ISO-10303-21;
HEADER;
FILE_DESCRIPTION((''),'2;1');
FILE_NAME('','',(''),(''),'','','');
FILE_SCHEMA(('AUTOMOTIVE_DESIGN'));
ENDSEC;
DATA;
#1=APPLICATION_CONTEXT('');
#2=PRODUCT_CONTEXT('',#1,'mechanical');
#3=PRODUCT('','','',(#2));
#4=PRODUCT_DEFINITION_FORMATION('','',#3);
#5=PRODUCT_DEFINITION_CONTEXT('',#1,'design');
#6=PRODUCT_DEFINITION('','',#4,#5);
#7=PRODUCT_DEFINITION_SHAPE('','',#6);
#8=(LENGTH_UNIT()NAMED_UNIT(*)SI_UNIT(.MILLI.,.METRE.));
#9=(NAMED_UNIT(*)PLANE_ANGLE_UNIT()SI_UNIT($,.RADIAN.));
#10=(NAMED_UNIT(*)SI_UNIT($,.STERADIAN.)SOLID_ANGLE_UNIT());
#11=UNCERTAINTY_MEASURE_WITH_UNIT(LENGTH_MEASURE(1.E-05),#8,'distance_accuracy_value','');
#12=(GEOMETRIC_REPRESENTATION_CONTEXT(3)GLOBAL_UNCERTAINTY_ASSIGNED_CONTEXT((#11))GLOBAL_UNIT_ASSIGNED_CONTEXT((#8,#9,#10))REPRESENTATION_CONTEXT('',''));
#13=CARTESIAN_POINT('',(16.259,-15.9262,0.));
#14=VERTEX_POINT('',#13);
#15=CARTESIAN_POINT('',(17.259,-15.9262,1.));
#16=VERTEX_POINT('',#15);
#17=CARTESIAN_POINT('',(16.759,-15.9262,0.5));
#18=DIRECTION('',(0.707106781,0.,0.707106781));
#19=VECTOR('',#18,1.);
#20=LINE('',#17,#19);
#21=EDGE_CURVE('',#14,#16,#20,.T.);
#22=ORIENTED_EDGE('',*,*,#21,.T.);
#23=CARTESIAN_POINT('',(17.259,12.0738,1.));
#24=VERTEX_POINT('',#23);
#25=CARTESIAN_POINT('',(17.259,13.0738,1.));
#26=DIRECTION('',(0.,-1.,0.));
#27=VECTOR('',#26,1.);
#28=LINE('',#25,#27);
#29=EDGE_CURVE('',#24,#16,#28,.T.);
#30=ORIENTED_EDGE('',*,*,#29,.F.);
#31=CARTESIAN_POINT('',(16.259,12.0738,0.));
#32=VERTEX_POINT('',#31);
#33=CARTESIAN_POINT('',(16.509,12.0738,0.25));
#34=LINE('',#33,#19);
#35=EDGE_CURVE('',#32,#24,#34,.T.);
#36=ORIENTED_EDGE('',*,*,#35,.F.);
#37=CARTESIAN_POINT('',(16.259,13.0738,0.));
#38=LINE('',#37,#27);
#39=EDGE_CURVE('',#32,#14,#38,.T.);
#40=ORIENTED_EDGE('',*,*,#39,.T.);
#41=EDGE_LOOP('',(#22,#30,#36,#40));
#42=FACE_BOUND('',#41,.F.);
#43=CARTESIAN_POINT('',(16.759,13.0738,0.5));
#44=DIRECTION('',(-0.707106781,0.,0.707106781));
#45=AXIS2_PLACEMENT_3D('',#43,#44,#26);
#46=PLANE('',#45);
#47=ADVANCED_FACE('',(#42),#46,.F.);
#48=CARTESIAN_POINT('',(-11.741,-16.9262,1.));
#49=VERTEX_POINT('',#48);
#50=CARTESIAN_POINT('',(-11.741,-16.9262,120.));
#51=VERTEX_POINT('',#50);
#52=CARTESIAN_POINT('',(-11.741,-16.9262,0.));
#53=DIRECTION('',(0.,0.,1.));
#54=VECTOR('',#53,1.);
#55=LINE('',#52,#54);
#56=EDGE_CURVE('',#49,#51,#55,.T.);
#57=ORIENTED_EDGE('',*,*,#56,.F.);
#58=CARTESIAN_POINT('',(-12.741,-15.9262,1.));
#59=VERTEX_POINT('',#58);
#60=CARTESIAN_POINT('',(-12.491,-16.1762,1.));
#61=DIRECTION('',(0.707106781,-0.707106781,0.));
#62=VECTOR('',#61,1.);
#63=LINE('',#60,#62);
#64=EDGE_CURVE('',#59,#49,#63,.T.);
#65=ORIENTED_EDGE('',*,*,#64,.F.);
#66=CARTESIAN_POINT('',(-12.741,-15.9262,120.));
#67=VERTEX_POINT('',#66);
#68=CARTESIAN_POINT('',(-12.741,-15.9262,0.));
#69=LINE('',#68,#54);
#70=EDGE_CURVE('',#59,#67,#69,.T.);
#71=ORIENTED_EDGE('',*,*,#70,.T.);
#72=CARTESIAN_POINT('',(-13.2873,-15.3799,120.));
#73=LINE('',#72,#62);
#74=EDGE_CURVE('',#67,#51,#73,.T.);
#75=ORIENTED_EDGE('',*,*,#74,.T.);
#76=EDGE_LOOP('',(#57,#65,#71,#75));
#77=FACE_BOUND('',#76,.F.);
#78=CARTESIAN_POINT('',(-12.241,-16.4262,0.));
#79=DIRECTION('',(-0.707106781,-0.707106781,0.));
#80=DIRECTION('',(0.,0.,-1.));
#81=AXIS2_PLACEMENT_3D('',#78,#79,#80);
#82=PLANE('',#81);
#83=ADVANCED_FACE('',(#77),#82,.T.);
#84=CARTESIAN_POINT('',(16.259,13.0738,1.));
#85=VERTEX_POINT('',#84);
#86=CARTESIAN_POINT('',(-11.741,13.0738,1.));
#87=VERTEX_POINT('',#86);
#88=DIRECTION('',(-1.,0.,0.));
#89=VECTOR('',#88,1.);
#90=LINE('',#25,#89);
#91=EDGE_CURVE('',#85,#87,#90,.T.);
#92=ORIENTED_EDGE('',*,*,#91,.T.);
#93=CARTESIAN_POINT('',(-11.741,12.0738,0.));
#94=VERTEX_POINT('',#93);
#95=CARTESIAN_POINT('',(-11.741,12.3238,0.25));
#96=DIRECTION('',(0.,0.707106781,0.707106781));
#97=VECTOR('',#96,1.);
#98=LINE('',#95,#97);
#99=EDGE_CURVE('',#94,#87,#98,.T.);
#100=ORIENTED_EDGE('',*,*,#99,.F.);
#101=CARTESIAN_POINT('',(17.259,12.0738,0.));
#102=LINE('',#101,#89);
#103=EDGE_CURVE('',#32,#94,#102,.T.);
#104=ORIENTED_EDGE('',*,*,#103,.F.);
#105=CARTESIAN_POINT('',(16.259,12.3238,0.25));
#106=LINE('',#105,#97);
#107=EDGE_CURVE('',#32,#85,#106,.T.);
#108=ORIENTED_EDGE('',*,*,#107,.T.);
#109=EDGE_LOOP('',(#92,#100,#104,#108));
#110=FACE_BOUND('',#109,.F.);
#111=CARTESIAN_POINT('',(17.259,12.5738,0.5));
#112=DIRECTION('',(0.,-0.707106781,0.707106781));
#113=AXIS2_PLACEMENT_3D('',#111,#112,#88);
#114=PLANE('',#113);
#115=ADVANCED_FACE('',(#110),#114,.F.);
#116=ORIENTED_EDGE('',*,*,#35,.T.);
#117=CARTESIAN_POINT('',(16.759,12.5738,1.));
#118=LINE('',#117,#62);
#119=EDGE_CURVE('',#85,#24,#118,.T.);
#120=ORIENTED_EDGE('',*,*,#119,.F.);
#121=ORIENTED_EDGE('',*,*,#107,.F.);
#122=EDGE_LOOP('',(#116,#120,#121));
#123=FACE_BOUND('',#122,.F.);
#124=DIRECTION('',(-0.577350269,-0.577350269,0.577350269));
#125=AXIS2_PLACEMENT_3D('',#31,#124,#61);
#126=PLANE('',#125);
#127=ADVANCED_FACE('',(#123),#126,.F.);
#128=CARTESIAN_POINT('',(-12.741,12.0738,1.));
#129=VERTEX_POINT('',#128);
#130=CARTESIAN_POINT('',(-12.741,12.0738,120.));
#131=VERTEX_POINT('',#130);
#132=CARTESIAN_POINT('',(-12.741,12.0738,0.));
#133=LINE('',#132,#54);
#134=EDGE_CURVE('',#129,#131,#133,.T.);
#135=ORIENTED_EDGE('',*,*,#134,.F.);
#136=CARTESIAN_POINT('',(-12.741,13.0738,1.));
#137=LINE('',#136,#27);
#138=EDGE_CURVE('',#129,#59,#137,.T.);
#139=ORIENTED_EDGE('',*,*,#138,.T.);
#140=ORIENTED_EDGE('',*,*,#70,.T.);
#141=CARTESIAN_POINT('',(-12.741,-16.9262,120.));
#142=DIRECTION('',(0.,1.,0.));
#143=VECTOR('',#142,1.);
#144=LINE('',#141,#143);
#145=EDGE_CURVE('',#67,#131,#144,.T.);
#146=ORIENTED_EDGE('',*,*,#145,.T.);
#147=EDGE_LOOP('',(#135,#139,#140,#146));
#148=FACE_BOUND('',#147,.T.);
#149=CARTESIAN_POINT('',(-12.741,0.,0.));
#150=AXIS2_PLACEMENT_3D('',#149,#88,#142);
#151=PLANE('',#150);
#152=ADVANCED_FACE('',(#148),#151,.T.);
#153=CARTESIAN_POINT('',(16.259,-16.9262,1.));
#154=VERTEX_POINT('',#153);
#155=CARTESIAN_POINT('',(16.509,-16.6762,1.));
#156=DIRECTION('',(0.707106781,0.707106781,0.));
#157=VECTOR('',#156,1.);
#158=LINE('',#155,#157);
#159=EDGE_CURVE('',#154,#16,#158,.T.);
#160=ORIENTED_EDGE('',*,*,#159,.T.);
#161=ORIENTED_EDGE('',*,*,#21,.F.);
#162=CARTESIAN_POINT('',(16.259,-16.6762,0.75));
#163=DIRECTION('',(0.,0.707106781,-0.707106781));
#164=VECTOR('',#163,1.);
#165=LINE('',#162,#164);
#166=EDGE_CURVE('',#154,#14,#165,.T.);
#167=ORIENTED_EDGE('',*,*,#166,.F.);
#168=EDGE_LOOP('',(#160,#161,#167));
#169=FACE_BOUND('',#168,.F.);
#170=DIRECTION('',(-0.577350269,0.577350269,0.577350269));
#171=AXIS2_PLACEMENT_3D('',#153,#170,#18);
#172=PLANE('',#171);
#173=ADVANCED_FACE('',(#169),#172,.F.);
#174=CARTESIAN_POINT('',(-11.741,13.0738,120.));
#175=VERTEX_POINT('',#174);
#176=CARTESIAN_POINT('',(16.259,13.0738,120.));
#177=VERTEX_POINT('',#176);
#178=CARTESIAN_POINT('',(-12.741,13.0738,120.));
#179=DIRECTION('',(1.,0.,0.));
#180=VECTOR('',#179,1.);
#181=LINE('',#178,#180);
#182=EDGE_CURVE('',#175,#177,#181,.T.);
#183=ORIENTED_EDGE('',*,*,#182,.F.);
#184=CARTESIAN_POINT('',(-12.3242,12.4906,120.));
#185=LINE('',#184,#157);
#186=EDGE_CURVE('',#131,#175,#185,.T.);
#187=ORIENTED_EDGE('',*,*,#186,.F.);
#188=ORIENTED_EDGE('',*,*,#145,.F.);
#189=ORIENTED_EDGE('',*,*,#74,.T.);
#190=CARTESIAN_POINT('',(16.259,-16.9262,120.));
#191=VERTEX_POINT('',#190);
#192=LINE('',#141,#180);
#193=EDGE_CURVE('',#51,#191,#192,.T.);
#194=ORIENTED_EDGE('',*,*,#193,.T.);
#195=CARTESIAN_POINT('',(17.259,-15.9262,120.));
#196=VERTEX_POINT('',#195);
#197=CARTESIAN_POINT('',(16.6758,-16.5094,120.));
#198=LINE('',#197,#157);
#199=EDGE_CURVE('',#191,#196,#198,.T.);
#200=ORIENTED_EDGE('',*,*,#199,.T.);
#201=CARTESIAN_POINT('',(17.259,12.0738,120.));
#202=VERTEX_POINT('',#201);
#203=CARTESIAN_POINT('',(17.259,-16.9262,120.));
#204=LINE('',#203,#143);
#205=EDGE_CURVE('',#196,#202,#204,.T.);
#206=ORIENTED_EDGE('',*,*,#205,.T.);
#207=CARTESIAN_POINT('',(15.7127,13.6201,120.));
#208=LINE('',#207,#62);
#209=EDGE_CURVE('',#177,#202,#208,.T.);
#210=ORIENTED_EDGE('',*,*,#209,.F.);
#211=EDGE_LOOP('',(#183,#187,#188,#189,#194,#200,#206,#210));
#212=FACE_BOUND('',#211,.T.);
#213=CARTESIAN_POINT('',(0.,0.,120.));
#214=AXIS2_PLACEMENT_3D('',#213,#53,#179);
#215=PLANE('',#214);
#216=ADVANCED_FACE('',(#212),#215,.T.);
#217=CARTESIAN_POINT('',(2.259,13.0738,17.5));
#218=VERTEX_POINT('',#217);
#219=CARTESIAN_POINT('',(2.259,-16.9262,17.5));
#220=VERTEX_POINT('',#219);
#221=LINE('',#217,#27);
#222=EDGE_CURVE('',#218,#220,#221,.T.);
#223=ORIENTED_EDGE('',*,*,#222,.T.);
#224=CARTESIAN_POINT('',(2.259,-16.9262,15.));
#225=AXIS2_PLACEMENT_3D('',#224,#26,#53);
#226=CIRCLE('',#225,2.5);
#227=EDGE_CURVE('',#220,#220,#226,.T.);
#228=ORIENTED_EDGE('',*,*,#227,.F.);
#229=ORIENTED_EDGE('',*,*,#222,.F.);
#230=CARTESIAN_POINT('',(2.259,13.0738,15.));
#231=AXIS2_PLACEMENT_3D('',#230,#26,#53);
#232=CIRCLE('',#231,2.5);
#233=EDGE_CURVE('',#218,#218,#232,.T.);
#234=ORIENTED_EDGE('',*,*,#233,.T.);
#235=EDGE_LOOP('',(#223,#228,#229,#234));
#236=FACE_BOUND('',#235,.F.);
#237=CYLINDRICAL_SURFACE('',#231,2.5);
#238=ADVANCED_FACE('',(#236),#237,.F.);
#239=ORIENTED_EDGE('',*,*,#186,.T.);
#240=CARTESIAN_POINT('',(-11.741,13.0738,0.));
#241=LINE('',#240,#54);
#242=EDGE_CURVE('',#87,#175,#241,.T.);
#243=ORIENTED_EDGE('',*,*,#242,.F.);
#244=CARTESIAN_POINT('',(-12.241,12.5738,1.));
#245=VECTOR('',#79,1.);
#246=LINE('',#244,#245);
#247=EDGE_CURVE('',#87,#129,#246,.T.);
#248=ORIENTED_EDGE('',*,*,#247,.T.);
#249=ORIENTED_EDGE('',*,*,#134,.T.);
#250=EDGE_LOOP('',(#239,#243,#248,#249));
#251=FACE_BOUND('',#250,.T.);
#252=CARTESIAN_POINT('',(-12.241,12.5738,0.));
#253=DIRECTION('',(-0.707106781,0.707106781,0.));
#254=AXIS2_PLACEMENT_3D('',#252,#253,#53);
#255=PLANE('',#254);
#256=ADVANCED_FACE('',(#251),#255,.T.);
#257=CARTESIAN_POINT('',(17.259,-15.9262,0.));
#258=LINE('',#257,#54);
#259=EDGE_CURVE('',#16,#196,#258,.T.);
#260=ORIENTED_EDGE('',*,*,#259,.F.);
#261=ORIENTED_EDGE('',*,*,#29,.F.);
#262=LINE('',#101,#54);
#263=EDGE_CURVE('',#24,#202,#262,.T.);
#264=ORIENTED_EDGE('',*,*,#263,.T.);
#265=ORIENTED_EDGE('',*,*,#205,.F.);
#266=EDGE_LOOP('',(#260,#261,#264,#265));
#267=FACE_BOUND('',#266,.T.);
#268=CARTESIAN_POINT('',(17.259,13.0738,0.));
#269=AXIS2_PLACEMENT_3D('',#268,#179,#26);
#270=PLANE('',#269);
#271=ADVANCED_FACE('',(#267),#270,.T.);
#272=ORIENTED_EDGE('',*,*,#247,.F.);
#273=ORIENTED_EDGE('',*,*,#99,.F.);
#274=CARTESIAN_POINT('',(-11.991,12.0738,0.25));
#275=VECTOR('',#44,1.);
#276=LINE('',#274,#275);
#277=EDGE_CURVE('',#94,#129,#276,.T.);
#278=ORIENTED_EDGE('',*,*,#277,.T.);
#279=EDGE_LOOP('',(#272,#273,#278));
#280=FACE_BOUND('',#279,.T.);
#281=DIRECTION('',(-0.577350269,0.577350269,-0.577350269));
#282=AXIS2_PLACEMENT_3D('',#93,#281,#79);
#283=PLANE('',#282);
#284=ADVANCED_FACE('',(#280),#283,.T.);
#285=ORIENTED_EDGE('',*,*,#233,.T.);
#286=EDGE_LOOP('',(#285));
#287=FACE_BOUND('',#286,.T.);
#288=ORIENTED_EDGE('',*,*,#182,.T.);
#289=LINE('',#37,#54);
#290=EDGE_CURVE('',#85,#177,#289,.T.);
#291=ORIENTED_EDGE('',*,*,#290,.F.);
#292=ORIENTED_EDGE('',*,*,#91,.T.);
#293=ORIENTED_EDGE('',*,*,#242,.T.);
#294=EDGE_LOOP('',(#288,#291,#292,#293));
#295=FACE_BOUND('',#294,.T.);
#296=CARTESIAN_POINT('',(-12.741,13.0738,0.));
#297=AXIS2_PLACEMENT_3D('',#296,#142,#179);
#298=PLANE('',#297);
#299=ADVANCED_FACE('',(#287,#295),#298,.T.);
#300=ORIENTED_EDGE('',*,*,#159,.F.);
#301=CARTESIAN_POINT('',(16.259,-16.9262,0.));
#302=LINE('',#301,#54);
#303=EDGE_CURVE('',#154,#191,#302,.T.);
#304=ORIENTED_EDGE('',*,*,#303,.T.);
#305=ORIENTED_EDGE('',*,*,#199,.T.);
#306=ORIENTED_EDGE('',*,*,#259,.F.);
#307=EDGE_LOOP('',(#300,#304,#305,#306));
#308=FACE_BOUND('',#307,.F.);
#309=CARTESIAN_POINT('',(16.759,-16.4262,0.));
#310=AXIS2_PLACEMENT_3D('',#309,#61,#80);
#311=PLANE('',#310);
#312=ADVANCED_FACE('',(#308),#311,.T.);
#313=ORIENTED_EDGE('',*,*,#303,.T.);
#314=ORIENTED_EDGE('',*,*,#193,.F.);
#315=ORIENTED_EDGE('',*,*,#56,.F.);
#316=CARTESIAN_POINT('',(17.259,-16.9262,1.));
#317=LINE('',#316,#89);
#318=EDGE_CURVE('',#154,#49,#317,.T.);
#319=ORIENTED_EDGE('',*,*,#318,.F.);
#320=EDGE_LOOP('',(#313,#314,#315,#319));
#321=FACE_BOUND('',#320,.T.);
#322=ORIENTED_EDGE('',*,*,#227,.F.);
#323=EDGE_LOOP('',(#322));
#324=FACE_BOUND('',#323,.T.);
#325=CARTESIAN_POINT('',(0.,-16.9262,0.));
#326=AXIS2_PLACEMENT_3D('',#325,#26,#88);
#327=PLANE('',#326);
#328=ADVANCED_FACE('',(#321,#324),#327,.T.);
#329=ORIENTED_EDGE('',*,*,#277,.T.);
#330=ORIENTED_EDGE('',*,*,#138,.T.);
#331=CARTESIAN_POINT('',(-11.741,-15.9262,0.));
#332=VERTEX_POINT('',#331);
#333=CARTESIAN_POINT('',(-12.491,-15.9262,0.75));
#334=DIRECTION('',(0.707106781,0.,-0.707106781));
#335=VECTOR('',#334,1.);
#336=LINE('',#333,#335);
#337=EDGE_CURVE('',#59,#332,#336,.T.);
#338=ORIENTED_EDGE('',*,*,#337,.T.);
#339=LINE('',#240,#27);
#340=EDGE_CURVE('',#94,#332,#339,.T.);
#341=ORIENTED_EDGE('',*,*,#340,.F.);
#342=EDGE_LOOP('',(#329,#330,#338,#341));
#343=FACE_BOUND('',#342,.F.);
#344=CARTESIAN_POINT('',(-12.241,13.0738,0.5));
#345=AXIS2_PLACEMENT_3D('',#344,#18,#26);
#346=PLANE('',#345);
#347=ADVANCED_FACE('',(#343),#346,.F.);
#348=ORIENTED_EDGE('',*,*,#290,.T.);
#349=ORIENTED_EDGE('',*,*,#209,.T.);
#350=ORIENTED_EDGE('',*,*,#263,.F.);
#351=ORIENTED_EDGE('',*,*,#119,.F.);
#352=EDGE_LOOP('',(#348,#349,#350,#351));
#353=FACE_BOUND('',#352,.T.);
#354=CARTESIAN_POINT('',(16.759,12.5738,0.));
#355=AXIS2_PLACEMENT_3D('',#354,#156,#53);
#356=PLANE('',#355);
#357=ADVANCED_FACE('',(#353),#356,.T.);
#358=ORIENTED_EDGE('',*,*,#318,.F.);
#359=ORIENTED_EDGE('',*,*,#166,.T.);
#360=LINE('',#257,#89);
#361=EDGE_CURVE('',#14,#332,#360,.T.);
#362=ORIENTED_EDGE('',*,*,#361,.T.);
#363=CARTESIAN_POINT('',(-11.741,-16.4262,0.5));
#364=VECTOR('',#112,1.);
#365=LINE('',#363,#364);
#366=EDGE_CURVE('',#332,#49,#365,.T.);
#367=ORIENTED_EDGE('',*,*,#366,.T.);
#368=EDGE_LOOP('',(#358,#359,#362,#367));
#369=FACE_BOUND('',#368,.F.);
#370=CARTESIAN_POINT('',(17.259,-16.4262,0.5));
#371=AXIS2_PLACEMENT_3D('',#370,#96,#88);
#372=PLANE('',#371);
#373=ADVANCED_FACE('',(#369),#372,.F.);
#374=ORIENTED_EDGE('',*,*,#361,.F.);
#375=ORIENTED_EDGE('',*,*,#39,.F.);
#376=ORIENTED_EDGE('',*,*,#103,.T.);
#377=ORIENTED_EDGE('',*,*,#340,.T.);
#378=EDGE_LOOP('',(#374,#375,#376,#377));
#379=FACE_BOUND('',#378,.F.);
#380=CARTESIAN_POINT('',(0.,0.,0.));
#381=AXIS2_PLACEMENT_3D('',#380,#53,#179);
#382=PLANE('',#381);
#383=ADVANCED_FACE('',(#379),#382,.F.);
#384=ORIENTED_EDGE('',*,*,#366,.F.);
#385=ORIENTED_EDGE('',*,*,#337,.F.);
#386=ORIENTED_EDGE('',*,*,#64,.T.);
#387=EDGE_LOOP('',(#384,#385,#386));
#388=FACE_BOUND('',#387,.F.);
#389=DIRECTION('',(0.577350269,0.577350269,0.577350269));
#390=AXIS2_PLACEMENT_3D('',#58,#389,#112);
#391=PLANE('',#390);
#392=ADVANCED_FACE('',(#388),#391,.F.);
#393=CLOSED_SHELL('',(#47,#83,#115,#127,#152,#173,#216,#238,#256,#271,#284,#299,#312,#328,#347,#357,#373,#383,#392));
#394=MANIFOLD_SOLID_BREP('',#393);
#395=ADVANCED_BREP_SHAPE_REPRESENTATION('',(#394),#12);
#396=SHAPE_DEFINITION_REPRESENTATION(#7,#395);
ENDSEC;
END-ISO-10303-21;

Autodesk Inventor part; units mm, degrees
ref_plane "YZ Plane" through (0, 0, 0) normal (1, 0, 0) x (0, 1, 0)
ref_plane "XZ Plane" through (0, 0, 0) normal (0, 1, 0) x (-1, 0, 0)
ref_plane "XY Plane" through (0, 0, 0) normal (0, 0, 1) x (1, 0, 0)
sketch "Skizze1" plane through (0, 0, 0) normal (0, 0, 1) x (1, 0, 0)
  line L0 (-18.741, 0) -> (23.259, 0) projected
  line L1 (0, -22.9262) -> (0, 19.0738) projected
  line L2 (-12.741, 13.0738) -> (17.259, 13.0738)
  line L3 (17.259, 13.0738) -> (17.259, -16.9262)
  line L4 (17.259, -16.9262) -> (-12.741, -16.9262)
  line L5 (-12.741, -16.9262) -> (-12.741, 13.0738)
  point P0 (0, 0)
  dimension "d0" = 30
  dimension "d1" = 30
extrude "Extrusion1" add sketch "Skizze1" along normal blind 120
sketch "Skizze2" plane through (-12.741, 13.0738, 0) normal (0, 1, 0) x (1, 0, 0)
  line L0 (0, 0) -> (0, -120) projected
  line L1 (30, 0) -> (0, 0) projected
  point P0 (12.741, 0)
  point P1 (15, -15)
  dimension "d4" = 15
  dimension "d5" = 15
hole "Bohrung1" at (2.259, 13.0738, 15) direction (0, -1, 0) diameter 5 end through all
chamfer "Fase1" distance 1 angle 45 8 edges at (17.259, 13.0738, 60) (-12.741, 13.0738, 60) (2.259, 13.0738, 0) (17.259, -1.9262, 0) (2.259, -16.9262, 0) (-12.741, -1.9262, 0) (17.259, -16.9262, 60) (-12.741, -16.9262, 60)
properties part number "Stütze mitte"
